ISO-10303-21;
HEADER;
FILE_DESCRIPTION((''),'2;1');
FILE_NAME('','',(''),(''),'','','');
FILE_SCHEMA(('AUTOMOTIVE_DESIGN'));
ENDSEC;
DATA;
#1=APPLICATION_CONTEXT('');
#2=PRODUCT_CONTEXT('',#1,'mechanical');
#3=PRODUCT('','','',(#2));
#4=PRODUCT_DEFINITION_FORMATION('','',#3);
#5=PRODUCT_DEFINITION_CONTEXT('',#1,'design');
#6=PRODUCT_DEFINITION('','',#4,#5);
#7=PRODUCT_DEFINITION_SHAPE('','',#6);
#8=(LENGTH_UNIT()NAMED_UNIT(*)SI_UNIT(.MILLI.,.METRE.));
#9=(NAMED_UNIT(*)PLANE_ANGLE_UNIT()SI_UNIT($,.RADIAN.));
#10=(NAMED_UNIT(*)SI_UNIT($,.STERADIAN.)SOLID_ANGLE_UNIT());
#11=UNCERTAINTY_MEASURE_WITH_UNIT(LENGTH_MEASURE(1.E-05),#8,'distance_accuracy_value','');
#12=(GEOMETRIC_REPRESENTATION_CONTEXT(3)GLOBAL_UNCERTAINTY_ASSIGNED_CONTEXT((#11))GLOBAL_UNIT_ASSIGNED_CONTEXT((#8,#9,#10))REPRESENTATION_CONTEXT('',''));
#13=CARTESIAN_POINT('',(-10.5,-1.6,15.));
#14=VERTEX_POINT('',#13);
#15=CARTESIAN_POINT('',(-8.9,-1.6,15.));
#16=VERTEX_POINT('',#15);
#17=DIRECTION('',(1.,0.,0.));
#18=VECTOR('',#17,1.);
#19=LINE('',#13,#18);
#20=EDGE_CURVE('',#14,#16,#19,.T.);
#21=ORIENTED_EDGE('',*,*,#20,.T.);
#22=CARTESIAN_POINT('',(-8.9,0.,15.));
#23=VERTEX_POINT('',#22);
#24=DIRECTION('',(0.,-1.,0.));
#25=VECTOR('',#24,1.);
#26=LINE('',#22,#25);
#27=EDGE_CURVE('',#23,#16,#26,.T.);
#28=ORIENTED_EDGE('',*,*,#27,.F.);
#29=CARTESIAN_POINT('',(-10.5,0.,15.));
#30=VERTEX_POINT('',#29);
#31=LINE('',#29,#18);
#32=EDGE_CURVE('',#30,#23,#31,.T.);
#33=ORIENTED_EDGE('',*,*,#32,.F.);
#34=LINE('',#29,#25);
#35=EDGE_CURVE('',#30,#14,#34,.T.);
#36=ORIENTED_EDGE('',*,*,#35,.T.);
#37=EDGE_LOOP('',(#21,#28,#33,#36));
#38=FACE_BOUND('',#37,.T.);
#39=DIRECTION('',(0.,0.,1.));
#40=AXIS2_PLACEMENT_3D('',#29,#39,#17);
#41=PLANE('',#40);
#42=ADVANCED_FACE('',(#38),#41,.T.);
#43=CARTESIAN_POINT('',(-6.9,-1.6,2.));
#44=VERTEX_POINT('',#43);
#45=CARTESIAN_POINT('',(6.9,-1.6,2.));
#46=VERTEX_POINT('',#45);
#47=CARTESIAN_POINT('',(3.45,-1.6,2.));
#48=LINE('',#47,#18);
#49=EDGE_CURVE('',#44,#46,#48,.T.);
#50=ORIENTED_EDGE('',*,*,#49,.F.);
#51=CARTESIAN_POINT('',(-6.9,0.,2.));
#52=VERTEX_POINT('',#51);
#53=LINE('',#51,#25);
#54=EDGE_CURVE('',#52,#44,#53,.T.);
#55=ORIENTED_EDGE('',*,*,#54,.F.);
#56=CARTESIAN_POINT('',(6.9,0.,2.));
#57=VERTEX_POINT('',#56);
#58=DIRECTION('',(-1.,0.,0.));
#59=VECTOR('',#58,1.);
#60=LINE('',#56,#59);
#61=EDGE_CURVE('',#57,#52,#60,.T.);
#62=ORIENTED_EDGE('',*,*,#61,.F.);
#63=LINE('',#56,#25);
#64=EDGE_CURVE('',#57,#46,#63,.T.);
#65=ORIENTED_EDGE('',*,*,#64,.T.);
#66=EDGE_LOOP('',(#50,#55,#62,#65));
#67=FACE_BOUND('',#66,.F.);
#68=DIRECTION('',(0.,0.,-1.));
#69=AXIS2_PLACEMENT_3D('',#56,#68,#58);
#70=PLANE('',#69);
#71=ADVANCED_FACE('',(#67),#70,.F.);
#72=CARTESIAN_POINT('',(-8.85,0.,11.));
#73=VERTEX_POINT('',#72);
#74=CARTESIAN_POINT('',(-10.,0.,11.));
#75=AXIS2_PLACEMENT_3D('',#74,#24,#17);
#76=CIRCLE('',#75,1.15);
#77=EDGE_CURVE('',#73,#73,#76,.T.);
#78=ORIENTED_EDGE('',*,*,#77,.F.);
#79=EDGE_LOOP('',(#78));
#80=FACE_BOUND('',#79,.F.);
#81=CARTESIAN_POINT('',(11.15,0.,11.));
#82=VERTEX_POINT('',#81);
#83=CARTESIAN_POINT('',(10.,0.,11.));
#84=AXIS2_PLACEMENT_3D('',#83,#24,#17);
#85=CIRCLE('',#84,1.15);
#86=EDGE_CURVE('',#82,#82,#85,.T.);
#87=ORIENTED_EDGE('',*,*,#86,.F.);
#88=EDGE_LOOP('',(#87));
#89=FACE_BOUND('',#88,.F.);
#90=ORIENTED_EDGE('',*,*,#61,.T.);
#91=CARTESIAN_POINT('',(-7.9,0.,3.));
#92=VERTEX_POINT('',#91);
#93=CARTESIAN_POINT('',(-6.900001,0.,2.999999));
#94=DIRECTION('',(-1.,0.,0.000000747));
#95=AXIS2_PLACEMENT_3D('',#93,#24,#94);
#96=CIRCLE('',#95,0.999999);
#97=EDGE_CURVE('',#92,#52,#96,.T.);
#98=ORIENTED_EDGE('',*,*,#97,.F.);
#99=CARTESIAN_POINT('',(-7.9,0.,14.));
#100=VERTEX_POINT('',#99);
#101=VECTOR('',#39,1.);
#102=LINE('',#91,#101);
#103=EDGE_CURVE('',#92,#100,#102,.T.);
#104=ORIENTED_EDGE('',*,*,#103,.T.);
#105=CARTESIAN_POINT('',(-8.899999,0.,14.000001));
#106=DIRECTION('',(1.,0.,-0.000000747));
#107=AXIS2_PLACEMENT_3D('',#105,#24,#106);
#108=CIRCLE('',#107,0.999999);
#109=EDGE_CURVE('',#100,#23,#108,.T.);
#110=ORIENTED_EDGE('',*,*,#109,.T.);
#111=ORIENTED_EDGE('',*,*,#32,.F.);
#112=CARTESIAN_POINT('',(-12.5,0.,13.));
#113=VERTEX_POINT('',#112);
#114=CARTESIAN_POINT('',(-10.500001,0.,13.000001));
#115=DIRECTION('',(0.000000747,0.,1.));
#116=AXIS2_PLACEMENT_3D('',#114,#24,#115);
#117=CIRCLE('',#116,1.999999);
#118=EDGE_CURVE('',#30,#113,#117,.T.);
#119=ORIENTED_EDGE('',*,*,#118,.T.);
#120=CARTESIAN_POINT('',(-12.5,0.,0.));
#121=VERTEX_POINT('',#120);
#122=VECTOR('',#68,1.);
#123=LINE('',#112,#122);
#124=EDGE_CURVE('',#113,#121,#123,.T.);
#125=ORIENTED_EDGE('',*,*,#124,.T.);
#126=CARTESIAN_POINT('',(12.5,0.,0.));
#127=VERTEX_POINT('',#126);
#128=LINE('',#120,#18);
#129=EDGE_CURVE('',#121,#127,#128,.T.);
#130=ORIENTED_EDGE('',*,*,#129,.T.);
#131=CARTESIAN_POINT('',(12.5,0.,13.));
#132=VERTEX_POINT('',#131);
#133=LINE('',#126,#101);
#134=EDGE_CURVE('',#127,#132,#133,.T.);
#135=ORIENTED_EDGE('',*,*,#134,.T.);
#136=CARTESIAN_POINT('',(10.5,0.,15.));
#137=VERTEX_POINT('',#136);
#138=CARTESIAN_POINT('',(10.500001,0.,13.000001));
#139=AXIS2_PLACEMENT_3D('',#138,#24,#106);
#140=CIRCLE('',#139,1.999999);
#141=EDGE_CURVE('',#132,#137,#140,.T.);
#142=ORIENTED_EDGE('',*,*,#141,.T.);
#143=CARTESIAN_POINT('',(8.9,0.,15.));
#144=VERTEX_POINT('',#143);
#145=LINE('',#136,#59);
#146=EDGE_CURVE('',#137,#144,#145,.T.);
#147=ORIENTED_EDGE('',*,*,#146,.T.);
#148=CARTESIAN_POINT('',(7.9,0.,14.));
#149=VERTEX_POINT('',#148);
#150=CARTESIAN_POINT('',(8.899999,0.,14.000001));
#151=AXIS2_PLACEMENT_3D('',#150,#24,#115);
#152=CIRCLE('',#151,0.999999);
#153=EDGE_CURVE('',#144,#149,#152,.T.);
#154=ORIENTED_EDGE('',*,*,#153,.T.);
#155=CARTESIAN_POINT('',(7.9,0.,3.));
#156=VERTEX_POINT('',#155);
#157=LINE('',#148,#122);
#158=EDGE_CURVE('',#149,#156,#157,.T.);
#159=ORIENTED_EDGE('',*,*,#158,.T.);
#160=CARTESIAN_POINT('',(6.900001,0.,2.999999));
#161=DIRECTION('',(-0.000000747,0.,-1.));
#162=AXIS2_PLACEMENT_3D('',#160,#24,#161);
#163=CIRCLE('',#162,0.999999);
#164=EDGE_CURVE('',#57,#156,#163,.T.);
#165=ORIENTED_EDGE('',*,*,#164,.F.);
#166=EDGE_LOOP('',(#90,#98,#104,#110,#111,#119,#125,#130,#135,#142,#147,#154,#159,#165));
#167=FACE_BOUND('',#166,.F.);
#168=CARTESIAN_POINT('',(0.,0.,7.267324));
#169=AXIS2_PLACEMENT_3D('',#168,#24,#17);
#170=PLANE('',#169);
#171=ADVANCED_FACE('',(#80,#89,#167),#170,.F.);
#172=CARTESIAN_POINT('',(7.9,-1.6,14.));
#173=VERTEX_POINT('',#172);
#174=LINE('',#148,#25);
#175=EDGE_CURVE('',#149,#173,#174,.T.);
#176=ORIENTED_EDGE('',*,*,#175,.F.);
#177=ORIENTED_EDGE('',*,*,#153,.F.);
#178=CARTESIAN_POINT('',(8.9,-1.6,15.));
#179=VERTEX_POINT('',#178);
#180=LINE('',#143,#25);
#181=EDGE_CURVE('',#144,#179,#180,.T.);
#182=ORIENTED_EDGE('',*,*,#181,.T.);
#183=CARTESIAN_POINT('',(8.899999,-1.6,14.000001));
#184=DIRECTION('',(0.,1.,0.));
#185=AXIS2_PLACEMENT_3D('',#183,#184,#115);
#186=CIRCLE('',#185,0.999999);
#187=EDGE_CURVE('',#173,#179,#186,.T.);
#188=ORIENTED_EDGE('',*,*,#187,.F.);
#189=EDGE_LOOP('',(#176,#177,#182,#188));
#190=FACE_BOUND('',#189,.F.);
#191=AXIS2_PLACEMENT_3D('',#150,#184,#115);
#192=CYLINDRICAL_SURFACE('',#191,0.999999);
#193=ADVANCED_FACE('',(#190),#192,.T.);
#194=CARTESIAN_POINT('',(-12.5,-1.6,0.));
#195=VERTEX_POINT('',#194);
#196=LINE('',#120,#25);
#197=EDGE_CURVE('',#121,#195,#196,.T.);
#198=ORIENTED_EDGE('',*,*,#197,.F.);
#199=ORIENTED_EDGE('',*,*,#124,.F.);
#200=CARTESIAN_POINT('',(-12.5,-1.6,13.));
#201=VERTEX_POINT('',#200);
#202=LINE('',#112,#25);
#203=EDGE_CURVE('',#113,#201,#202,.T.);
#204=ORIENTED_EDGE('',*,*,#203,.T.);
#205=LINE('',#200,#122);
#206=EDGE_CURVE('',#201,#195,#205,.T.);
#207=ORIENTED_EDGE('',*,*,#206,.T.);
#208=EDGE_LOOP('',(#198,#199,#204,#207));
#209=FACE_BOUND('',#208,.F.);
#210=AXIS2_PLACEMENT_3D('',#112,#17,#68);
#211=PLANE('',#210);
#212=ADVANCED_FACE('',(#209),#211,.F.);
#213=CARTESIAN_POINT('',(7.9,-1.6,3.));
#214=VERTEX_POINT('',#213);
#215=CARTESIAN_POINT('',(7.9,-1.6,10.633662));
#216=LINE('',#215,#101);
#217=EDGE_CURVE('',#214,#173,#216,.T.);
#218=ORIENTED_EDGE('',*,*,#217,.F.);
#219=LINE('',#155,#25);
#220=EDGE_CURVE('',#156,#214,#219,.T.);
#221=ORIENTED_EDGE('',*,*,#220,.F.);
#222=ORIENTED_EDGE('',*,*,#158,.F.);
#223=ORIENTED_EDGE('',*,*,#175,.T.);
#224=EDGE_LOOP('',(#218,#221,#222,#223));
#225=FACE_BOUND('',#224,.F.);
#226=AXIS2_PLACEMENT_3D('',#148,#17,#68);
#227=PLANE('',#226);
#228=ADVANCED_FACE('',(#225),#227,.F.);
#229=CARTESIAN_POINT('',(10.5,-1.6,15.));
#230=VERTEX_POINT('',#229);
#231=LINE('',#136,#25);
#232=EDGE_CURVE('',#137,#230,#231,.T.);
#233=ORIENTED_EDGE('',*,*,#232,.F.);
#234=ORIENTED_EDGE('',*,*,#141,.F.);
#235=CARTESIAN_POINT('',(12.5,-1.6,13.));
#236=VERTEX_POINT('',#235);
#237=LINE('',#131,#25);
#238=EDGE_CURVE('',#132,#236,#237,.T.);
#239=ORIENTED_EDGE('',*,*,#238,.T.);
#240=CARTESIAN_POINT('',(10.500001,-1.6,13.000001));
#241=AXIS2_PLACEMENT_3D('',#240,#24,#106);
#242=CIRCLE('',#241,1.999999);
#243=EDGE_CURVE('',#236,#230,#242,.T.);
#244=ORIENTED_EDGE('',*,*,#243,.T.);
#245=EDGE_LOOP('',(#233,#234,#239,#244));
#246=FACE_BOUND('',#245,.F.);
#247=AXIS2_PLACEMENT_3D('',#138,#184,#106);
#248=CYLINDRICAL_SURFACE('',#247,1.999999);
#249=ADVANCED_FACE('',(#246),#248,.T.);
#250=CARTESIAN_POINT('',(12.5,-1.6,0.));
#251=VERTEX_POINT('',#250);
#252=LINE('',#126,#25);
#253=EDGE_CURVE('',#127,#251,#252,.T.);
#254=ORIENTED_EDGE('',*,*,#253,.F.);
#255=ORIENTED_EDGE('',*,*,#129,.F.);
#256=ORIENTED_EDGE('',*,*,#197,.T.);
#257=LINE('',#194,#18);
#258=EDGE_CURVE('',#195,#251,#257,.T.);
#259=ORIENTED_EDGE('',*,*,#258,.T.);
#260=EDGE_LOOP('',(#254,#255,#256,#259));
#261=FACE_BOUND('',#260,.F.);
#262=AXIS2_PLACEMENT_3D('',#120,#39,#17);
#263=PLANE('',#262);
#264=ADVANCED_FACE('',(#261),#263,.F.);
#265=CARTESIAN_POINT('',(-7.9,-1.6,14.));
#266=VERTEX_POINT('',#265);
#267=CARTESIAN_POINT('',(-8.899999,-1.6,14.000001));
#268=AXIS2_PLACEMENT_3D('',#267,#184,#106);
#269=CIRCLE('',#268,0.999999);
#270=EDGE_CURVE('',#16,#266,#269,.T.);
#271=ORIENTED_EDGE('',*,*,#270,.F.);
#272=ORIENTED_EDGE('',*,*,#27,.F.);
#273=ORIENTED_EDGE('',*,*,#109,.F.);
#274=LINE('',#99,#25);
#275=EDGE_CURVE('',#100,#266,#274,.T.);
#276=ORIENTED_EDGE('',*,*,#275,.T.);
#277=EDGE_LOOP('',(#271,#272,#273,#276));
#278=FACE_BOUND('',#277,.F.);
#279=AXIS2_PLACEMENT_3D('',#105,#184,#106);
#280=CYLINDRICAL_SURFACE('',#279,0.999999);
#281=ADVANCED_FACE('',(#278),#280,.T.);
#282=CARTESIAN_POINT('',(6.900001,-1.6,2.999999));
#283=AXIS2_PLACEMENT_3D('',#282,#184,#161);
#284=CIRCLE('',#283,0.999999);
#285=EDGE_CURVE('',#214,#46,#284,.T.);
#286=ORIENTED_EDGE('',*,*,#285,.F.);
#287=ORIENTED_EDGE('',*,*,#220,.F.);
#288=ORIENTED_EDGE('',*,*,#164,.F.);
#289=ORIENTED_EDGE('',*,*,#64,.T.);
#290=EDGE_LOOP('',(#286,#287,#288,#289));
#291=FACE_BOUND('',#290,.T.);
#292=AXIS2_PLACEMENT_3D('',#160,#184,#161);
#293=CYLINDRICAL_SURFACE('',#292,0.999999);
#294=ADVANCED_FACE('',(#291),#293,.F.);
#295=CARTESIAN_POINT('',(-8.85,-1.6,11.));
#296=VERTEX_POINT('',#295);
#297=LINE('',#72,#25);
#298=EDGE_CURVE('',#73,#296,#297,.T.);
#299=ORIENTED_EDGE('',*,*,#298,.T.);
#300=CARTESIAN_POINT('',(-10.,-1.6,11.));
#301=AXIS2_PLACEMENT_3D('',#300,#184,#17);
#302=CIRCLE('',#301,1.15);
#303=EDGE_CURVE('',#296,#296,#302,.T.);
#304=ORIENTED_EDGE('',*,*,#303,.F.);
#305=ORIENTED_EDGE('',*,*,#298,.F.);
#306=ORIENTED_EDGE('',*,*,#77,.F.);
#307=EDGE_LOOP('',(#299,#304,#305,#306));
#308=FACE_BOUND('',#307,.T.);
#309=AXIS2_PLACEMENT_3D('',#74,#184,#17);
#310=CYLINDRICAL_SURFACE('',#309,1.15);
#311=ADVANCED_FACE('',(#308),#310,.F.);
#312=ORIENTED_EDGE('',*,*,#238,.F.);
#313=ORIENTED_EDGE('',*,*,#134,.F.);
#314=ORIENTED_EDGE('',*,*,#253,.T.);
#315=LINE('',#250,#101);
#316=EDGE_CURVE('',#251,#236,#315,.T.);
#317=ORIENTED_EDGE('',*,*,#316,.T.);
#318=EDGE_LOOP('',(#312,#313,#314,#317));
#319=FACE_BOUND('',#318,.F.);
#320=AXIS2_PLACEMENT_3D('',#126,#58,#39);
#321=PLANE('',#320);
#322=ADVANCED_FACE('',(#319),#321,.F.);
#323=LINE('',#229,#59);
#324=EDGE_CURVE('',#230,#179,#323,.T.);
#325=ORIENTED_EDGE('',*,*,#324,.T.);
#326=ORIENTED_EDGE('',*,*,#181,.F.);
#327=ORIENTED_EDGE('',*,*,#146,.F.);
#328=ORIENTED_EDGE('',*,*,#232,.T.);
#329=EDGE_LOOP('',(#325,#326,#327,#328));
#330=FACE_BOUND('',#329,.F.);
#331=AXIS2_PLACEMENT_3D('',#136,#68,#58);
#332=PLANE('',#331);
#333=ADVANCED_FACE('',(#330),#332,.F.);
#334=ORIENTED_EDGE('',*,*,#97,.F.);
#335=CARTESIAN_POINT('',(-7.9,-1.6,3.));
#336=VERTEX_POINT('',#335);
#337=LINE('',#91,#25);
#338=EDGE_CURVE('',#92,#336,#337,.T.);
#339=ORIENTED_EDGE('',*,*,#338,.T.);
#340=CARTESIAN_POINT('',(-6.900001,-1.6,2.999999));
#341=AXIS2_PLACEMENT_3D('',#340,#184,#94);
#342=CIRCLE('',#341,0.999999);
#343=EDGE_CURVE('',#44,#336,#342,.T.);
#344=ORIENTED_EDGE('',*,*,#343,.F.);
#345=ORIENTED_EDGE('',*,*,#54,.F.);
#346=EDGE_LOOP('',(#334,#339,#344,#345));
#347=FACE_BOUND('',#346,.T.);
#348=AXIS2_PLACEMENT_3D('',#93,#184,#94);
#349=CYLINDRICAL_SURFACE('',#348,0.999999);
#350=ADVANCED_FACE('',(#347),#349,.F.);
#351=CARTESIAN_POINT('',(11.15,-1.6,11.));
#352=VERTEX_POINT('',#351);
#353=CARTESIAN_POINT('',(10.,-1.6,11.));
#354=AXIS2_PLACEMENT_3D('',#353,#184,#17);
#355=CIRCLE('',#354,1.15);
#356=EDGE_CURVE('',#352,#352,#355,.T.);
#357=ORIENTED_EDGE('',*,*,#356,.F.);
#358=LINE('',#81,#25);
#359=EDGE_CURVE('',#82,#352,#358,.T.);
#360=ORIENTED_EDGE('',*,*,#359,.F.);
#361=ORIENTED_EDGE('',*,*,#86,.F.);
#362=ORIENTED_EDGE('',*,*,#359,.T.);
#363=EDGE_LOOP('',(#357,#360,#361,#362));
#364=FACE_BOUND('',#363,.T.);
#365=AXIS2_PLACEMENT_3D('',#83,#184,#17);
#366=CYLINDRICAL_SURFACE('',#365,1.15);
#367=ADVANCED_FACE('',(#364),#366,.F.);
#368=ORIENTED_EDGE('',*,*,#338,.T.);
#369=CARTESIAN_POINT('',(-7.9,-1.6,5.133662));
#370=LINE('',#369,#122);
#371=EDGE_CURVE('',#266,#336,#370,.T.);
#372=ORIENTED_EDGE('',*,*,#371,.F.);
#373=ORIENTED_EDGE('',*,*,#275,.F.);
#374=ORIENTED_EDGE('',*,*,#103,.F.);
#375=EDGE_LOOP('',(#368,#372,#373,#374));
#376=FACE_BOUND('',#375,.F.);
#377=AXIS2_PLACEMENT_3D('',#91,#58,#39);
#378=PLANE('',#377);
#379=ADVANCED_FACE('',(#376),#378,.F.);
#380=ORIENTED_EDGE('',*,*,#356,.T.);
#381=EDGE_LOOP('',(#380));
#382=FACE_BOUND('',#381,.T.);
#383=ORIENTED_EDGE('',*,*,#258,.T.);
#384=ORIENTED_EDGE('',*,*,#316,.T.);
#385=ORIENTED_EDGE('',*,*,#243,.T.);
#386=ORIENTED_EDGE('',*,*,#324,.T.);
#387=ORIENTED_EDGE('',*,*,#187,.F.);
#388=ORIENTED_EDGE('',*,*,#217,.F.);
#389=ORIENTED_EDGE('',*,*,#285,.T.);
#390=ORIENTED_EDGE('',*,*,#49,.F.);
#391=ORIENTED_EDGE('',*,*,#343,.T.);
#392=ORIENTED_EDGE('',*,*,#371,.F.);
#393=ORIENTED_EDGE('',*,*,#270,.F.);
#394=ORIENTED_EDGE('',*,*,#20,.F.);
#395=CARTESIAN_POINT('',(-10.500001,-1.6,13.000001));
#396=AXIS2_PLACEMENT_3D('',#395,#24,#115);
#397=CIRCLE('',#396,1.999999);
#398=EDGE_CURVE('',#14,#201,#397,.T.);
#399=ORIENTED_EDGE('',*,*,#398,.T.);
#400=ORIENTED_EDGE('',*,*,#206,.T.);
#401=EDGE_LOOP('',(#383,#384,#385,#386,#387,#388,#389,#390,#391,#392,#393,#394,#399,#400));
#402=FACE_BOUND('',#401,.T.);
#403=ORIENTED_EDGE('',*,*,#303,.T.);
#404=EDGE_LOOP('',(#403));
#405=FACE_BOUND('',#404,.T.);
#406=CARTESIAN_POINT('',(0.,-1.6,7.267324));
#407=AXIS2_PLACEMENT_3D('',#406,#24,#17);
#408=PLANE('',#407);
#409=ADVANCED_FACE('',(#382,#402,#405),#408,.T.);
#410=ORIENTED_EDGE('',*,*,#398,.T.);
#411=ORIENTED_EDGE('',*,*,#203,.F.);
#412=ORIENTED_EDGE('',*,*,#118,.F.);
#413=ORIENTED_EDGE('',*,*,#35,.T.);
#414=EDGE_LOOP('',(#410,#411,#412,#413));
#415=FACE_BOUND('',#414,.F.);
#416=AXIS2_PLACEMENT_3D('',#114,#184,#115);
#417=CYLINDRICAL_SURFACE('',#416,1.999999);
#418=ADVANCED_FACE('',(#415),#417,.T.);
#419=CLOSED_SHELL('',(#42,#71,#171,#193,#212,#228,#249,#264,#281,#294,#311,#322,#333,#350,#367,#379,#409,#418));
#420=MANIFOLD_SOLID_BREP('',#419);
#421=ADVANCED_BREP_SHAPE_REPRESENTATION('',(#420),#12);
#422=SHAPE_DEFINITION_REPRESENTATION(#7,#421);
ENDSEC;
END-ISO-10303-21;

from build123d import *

# Parameters (mm, degrees)
PAD011_DEPTH    = 1.6
SKETCH027_R     = 1.15
POCKET013_DEPTH = 1.601
POCKET014_DEPTH = 1.601


with BuildPart() as part:
    # Sketch026 → Pad011 (new body)
    with BuildSketch(Plane.XZ):
        with BuildLine():
            Line((-12.5, 0), (12.5, 0))
            Line((12.5, 0), (12.5, 13))
            ThreePointArc((12.5, 13), (11.914214, 14.414214), (10.5, 15))
            Line((10.5, 15), (6.75, 15))
            ThreePointArc((6.75, 15), (6.396447, 14.853553), (6.25, 14.5))
            Line((6.25, 14.5), (6.25, 13.5))
            ThreePointArc((5.75, 13), (6.103553, 13.146447), (6.25, 13.5))
            Line((5.75, 13), (-5.75, 13))
            ThreePointArc((-6.25, 13.5), (-6.103553, 13.146447), (-5.75, 13))
            Line((-6.25, 13.5), (-6.25, 14.5))
            ThreePointArc((-6.25, 14.5), (-6.396447, 14.853553), (-6.75, 15))
            Line((-10.5, 15), (-6.75, 15))
            ThreePointArc((-10.5, 15), (-11.914214, 14.414214), (-12.5, 13))
            Line((-12.5, 13), (-12.5, 0))
        make_face()
    extrude(amount=PAD011_DEPTH)

    # Sketch027 → Pocket013 (cut, through all)
    with BuildSketch(Plane.XZ):
        with Locations((-10, 11)):
            Circle(SKETCH027_R)
        with Locations((10, 11)):
            Circle(SKETCH027_R)
    extrude(amount=POCKET013_DEPTH, mode=Mode.SUBTRACT)

    # Sketch028 → Pocket014 (cut, through all)
    with BuildSketch(Plane.XZ):
        with BuildLine():
            Line((7.9, 14), (7.9, 3))
            ThreePointArc((6.9, 2), (7.607107, 2.292893), (7.9, 3))
            Line((6.9, 2), (-6.9, 2))
            ThreePointArc((-7.9, 3), (-7.607107, 2.292893), (-6.9, 2))
            Line((-7.9, 3), (-7.9, 14))
            ThreePointArc((-7.9, 14), (-8.192893, 14.707107), (-8.9, 15))
            Line((-8.9, 15), (-12.5, 15))
            Line((-12.5, 15), (-12.5, 17))
            Line((-12.5, 17), (12.5, 17))
            Line((12.5, 17), (12.5, 15))
            Line((8.9, 15), (12.5, 15))
            ThreePointArc((8.9, 15), (8.192893, 14.707107), (7.9, 14))
        make_face()
    extrude(amount=POCKET014_DEPTH, mode=Mode.SUBTRACT)


solid = part.part
